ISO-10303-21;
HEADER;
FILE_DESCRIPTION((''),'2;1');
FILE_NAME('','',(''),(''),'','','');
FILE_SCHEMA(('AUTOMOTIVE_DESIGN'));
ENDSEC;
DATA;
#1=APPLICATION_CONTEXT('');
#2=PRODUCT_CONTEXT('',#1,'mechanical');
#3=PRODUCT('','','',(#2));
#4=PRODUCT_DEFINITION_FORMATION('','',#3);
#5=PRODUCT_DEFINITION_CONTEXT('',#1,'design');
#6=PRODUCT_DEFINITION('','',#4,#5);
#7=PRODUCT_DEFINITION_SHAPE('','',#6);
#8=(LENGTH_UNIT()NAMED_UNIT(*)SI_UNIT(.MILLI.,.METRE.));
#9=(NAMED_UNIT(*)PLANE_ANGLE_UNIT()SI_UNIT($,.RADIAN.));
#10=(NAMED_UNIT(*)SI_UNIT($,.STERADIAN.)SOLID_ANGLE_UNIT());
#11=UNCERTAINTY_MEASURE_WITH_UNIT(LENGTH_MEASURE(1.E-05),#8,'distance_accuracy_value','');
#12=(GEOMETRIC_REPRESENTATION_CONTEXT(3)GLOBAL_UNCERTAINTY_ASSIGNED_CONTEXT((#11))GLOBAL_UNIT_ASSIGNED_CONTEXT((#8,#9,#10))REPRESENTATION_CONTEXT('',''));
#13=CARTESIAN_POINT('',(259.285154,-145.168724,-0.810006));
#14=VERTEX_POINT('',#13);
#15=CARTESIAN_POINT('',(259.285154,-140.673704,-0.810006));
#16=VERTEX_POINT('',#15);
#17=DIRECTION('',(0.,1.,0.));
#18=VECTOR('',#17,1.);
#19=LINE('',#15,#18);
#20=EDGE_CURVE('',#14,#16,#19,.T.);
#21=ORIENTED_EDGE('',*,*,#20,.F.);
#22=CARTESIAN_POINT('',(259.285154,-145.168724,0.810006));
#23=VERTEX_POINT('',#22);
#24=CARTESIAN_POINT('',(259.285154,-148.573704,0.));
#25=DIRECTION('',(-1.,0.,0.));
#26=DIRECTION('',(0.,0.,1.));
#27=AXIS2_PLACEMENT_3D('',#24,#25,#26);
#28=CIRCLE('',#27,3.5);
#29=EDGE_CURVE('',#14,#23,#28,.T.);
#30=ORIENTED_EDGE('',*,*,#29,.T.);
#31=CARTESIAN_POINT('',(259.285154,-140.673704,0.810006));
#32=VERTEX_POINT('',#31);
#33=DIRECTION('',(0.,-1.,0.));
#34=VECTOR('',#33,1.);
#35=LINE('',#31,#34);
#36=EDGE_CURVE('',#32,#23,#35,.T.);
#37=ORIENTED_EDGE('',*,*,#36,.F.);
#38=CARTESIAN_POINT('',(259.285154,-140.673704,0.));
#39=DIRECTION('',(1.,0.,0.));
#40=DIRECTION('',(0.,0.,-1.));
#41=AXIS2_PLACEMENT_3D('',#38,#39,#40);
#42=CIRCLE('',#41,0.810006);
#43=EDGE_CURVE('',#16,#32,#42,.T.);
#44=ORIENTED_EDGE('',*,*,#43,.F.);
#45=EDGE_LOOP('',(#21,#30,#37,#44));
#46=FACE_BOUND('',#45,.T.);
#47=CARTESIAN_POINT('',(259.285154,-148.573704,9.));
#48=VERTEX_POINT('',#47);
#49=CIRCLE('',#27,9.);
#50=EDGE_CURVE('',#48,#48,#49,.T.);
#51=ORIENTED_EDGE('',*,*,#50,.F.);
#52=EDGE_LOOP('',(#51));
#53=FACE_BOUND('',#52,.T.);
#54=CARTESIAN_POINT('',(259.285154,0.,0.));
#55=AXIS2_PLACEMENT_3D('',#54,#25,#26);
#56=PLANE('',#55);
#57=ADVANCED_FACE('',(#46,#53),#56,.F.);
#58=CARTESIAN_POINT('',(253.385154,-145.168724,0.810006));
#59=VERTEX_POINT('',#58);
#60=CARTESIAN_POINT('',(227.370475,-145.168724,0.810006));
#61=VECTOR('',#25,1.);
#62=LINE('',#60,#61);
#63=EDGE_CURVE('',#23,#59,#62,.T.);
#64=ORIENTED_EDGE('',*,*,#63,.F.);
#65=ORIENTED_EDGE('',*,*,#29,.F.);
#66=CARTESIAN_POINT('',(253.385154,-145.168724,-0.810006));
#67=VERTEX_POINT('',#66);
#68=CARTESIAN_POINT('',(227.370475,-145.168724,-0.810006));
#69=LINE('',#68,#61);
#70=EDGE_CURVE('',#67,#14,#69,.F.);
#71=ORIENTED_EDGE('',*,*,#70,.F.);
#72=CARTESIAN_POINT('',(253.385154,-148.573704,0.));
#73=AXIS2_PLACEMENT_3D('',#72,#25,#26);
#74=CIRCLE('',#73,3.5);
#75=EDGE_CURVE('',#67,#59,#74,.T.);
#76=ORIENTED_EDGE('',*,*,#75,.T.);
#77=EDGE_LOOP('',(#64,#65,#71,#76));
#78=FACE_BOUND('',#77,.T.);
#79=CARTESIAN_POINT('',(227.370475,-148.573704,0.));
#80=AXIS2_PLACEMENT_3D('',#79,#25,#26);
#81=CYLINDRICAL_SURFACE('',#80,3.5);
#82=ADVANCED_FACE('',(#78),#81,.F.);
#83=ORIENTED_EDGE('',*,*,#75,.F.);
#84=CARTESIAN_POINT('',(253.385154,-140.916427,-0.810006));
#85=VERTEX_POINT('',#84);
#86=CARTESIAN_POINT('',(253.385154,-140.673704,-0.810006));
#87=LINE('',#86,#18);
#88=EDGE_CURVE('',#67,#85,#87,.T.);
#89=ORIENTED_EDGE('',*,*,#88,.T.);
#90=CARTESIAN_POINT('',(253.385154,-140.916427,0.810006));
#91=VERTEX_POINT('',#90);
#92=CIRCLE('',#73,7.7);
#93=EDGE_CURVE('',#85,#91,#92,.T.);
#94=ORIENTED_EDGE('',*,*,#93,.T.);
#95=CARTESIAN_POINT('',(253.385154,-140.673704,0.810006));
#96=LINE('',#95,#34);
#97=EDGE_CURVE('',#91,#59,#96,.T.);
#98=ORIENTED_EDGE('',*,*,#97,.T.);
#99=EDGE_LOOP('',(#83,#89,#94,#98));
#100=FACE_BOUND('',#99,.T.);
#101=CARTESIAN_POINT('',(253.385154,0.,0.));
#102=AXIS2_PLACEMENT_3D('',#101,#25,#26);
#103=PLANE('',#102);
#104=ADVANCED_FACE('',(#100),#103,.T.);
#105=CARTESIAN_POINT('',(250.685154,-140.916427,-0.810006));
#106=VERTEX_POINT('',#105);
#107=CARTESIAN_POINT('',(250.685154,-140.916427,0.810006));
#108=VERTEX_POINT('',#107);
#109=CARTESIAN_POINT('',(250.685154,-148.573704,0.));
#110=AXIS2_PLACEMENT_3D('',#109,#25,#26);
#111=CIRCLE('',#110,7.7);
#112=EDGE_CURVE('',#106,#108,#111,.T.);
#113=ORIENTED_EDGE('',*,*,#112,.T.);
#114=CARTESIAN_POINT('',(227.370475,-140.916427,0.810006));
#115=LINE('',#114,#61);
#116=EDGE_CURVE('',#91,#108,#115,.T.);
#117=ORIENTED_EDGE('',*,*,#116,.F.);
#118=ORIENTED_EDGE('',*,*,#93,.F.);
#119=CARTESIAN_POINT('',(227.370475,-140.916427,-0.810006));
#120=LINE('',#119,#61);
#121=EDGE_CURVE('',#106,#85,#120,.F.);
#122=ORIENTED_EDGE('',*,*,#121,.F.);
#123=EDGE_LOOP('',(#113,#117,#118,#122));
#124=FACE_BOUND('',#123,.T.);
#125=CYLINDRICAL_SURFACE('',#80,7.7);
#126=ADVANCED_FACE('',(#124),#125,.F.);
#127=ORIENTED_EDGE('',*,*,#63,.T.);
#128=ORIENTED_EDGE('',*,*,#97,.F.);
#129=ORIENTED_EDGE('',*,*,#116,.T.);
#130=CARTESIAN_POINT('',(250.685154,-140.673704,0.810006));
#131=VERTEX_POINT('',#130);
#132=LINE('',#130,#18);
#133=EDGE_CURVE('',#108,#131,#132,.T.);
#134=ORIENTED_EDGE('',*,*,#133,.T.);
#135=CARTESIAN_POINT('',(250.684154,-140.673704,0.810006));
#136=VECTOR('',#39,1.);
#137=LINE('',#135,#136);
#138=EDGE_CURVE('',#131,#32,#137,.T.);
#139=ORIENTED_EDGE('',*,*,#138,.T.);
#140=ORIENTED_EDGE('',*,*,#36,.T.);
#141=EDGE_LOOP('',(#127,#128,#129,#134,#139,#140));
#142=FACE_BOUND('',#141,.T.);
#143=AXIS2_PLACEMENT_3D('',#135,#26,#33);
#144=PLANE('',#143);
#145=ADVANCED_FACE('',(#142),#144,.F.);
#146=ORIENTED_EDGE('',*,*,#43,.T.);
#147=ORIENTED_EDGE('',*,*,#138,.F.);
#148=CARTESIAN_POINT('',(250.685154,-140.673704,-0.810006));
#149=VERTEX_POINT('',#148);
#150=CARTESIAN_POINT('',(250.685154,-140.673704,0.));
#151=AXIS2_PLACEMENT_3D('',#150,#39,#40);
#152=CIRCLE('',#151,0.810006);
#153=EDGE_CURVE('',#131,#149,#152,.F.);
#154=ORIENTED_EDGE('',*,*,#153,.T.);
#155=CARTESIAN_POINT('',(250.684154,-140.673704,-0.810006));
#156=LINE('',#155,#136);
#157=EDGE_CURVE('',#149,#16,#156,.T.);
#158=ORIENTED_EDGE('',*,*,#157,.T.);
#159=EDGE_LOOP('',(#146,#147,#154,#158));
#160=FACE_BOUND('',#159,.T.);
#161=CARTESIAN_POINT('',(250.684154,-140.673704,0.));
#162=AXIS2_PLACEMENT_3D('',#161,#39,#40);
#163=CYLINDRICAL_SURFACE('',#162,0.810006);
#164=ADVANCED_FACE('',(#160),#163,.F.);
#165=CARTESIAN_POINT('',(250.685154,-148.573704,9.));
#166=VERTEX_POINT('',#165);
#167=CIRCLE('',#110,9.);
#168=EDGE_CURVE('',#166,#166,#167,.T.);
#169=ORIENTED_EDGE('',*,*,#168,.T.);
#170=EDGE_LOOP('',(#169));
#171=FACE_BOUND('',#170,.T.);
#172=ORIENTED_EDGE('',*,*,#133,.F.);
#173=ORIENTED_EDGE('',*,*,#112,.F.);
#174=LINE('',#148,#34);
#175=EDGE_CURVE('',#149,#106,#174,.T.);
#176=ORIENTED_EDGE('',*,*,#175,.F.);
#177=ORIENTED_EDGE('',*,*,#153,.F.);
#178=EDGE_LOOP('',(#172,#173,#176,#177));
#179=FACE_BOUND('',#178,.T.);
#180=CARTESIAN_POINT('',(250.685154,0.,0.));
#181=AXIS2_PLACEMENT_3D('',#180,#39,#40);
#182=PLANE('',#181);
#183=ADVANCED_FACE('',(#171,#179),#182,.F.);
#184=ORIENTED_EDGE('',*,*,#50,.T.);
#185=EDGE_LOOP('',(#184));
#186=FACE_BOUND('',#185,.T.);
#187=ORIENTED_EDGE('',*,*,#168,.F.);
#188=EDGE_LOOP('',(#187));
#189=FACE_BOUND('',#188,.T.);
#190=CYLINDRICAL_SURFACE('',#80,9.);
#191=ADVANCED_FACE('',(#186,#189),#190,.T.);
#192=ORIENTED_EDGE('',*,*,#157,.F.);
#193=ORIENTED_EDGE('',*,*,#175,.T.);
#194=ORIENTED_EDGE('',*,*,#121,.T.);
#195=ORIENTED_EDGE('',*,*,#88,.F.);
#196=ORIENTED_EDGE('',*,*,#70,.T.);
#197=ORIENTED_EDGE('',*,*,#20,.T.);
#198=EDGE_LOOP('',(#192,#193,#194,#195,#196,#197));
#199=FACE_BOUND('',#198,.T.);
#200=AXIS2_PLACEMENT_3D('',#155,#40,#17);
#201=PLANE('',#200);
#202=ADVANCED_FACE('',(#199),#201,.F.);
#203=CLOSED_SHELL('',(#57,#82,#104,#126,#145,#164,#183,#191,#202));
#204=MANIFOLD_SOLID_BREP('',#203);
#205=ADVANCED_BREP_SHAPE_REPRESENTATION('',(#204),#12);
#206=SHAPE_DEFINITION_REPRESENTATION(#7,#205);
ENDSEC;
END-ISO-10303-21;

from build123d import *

# Parameters (mm, degrees)
CUT_EXTRUDE1_REACH = 10.6


with BuildPart() as part:
    # Sketch3 → Revolve1 (revolve)
    with BuildSketch(Plane.XY):
        Polygon((253.385153788, -140.873704322), (253.385153788, -145.073704322), (259.285153788, -145.073704322), (259.285153788, -140.857236748), (259.285153788, -139.573704322), (250.685153788, -139.573704322), (250.685153788, -140.873704322), align=None)
    revolve(axis=Axis((227.370475166, -148.573704322, 0), (1, 0, 0)))

    # Sketch11 → Cut-Extrude1 (cut, up to next)
    with BuildSketch(Plane(origin=(259.285153788, 0, 0), x_dir=(0, 0, -1), z_dir=(1, 0, 0)), mode=Mode.PRIVATE) as cut_extrude1_sk1:
        with BuildLine():
            Line((-0.810006034, -140.673704322), (-0.810006034, -145.168724113))
            Line((-0.810006034, -145.168724113), (0.810006034, -145.168724113))
            Line((0.810006034, -145.168724113), (0.810006034, -140.673704322))
            ThreePointArc((0.810006034, -140.673704322), (0, -139.863698288), (-0.810006034, -140.673704322))
        make_face()
    cut_extrude1_tool1 = extrude(cut_extrude1_sk1.sketch, amount=-CUT_EXTRUDE1_REACH, mode=Mode.PRIVATE) & part.part
    add(cut_extrude1_tool1.solids().sort_by_distance((259.285154, -142.599941, 0))[0], mode=Mode.SUBTRACT)


solid = part.part
